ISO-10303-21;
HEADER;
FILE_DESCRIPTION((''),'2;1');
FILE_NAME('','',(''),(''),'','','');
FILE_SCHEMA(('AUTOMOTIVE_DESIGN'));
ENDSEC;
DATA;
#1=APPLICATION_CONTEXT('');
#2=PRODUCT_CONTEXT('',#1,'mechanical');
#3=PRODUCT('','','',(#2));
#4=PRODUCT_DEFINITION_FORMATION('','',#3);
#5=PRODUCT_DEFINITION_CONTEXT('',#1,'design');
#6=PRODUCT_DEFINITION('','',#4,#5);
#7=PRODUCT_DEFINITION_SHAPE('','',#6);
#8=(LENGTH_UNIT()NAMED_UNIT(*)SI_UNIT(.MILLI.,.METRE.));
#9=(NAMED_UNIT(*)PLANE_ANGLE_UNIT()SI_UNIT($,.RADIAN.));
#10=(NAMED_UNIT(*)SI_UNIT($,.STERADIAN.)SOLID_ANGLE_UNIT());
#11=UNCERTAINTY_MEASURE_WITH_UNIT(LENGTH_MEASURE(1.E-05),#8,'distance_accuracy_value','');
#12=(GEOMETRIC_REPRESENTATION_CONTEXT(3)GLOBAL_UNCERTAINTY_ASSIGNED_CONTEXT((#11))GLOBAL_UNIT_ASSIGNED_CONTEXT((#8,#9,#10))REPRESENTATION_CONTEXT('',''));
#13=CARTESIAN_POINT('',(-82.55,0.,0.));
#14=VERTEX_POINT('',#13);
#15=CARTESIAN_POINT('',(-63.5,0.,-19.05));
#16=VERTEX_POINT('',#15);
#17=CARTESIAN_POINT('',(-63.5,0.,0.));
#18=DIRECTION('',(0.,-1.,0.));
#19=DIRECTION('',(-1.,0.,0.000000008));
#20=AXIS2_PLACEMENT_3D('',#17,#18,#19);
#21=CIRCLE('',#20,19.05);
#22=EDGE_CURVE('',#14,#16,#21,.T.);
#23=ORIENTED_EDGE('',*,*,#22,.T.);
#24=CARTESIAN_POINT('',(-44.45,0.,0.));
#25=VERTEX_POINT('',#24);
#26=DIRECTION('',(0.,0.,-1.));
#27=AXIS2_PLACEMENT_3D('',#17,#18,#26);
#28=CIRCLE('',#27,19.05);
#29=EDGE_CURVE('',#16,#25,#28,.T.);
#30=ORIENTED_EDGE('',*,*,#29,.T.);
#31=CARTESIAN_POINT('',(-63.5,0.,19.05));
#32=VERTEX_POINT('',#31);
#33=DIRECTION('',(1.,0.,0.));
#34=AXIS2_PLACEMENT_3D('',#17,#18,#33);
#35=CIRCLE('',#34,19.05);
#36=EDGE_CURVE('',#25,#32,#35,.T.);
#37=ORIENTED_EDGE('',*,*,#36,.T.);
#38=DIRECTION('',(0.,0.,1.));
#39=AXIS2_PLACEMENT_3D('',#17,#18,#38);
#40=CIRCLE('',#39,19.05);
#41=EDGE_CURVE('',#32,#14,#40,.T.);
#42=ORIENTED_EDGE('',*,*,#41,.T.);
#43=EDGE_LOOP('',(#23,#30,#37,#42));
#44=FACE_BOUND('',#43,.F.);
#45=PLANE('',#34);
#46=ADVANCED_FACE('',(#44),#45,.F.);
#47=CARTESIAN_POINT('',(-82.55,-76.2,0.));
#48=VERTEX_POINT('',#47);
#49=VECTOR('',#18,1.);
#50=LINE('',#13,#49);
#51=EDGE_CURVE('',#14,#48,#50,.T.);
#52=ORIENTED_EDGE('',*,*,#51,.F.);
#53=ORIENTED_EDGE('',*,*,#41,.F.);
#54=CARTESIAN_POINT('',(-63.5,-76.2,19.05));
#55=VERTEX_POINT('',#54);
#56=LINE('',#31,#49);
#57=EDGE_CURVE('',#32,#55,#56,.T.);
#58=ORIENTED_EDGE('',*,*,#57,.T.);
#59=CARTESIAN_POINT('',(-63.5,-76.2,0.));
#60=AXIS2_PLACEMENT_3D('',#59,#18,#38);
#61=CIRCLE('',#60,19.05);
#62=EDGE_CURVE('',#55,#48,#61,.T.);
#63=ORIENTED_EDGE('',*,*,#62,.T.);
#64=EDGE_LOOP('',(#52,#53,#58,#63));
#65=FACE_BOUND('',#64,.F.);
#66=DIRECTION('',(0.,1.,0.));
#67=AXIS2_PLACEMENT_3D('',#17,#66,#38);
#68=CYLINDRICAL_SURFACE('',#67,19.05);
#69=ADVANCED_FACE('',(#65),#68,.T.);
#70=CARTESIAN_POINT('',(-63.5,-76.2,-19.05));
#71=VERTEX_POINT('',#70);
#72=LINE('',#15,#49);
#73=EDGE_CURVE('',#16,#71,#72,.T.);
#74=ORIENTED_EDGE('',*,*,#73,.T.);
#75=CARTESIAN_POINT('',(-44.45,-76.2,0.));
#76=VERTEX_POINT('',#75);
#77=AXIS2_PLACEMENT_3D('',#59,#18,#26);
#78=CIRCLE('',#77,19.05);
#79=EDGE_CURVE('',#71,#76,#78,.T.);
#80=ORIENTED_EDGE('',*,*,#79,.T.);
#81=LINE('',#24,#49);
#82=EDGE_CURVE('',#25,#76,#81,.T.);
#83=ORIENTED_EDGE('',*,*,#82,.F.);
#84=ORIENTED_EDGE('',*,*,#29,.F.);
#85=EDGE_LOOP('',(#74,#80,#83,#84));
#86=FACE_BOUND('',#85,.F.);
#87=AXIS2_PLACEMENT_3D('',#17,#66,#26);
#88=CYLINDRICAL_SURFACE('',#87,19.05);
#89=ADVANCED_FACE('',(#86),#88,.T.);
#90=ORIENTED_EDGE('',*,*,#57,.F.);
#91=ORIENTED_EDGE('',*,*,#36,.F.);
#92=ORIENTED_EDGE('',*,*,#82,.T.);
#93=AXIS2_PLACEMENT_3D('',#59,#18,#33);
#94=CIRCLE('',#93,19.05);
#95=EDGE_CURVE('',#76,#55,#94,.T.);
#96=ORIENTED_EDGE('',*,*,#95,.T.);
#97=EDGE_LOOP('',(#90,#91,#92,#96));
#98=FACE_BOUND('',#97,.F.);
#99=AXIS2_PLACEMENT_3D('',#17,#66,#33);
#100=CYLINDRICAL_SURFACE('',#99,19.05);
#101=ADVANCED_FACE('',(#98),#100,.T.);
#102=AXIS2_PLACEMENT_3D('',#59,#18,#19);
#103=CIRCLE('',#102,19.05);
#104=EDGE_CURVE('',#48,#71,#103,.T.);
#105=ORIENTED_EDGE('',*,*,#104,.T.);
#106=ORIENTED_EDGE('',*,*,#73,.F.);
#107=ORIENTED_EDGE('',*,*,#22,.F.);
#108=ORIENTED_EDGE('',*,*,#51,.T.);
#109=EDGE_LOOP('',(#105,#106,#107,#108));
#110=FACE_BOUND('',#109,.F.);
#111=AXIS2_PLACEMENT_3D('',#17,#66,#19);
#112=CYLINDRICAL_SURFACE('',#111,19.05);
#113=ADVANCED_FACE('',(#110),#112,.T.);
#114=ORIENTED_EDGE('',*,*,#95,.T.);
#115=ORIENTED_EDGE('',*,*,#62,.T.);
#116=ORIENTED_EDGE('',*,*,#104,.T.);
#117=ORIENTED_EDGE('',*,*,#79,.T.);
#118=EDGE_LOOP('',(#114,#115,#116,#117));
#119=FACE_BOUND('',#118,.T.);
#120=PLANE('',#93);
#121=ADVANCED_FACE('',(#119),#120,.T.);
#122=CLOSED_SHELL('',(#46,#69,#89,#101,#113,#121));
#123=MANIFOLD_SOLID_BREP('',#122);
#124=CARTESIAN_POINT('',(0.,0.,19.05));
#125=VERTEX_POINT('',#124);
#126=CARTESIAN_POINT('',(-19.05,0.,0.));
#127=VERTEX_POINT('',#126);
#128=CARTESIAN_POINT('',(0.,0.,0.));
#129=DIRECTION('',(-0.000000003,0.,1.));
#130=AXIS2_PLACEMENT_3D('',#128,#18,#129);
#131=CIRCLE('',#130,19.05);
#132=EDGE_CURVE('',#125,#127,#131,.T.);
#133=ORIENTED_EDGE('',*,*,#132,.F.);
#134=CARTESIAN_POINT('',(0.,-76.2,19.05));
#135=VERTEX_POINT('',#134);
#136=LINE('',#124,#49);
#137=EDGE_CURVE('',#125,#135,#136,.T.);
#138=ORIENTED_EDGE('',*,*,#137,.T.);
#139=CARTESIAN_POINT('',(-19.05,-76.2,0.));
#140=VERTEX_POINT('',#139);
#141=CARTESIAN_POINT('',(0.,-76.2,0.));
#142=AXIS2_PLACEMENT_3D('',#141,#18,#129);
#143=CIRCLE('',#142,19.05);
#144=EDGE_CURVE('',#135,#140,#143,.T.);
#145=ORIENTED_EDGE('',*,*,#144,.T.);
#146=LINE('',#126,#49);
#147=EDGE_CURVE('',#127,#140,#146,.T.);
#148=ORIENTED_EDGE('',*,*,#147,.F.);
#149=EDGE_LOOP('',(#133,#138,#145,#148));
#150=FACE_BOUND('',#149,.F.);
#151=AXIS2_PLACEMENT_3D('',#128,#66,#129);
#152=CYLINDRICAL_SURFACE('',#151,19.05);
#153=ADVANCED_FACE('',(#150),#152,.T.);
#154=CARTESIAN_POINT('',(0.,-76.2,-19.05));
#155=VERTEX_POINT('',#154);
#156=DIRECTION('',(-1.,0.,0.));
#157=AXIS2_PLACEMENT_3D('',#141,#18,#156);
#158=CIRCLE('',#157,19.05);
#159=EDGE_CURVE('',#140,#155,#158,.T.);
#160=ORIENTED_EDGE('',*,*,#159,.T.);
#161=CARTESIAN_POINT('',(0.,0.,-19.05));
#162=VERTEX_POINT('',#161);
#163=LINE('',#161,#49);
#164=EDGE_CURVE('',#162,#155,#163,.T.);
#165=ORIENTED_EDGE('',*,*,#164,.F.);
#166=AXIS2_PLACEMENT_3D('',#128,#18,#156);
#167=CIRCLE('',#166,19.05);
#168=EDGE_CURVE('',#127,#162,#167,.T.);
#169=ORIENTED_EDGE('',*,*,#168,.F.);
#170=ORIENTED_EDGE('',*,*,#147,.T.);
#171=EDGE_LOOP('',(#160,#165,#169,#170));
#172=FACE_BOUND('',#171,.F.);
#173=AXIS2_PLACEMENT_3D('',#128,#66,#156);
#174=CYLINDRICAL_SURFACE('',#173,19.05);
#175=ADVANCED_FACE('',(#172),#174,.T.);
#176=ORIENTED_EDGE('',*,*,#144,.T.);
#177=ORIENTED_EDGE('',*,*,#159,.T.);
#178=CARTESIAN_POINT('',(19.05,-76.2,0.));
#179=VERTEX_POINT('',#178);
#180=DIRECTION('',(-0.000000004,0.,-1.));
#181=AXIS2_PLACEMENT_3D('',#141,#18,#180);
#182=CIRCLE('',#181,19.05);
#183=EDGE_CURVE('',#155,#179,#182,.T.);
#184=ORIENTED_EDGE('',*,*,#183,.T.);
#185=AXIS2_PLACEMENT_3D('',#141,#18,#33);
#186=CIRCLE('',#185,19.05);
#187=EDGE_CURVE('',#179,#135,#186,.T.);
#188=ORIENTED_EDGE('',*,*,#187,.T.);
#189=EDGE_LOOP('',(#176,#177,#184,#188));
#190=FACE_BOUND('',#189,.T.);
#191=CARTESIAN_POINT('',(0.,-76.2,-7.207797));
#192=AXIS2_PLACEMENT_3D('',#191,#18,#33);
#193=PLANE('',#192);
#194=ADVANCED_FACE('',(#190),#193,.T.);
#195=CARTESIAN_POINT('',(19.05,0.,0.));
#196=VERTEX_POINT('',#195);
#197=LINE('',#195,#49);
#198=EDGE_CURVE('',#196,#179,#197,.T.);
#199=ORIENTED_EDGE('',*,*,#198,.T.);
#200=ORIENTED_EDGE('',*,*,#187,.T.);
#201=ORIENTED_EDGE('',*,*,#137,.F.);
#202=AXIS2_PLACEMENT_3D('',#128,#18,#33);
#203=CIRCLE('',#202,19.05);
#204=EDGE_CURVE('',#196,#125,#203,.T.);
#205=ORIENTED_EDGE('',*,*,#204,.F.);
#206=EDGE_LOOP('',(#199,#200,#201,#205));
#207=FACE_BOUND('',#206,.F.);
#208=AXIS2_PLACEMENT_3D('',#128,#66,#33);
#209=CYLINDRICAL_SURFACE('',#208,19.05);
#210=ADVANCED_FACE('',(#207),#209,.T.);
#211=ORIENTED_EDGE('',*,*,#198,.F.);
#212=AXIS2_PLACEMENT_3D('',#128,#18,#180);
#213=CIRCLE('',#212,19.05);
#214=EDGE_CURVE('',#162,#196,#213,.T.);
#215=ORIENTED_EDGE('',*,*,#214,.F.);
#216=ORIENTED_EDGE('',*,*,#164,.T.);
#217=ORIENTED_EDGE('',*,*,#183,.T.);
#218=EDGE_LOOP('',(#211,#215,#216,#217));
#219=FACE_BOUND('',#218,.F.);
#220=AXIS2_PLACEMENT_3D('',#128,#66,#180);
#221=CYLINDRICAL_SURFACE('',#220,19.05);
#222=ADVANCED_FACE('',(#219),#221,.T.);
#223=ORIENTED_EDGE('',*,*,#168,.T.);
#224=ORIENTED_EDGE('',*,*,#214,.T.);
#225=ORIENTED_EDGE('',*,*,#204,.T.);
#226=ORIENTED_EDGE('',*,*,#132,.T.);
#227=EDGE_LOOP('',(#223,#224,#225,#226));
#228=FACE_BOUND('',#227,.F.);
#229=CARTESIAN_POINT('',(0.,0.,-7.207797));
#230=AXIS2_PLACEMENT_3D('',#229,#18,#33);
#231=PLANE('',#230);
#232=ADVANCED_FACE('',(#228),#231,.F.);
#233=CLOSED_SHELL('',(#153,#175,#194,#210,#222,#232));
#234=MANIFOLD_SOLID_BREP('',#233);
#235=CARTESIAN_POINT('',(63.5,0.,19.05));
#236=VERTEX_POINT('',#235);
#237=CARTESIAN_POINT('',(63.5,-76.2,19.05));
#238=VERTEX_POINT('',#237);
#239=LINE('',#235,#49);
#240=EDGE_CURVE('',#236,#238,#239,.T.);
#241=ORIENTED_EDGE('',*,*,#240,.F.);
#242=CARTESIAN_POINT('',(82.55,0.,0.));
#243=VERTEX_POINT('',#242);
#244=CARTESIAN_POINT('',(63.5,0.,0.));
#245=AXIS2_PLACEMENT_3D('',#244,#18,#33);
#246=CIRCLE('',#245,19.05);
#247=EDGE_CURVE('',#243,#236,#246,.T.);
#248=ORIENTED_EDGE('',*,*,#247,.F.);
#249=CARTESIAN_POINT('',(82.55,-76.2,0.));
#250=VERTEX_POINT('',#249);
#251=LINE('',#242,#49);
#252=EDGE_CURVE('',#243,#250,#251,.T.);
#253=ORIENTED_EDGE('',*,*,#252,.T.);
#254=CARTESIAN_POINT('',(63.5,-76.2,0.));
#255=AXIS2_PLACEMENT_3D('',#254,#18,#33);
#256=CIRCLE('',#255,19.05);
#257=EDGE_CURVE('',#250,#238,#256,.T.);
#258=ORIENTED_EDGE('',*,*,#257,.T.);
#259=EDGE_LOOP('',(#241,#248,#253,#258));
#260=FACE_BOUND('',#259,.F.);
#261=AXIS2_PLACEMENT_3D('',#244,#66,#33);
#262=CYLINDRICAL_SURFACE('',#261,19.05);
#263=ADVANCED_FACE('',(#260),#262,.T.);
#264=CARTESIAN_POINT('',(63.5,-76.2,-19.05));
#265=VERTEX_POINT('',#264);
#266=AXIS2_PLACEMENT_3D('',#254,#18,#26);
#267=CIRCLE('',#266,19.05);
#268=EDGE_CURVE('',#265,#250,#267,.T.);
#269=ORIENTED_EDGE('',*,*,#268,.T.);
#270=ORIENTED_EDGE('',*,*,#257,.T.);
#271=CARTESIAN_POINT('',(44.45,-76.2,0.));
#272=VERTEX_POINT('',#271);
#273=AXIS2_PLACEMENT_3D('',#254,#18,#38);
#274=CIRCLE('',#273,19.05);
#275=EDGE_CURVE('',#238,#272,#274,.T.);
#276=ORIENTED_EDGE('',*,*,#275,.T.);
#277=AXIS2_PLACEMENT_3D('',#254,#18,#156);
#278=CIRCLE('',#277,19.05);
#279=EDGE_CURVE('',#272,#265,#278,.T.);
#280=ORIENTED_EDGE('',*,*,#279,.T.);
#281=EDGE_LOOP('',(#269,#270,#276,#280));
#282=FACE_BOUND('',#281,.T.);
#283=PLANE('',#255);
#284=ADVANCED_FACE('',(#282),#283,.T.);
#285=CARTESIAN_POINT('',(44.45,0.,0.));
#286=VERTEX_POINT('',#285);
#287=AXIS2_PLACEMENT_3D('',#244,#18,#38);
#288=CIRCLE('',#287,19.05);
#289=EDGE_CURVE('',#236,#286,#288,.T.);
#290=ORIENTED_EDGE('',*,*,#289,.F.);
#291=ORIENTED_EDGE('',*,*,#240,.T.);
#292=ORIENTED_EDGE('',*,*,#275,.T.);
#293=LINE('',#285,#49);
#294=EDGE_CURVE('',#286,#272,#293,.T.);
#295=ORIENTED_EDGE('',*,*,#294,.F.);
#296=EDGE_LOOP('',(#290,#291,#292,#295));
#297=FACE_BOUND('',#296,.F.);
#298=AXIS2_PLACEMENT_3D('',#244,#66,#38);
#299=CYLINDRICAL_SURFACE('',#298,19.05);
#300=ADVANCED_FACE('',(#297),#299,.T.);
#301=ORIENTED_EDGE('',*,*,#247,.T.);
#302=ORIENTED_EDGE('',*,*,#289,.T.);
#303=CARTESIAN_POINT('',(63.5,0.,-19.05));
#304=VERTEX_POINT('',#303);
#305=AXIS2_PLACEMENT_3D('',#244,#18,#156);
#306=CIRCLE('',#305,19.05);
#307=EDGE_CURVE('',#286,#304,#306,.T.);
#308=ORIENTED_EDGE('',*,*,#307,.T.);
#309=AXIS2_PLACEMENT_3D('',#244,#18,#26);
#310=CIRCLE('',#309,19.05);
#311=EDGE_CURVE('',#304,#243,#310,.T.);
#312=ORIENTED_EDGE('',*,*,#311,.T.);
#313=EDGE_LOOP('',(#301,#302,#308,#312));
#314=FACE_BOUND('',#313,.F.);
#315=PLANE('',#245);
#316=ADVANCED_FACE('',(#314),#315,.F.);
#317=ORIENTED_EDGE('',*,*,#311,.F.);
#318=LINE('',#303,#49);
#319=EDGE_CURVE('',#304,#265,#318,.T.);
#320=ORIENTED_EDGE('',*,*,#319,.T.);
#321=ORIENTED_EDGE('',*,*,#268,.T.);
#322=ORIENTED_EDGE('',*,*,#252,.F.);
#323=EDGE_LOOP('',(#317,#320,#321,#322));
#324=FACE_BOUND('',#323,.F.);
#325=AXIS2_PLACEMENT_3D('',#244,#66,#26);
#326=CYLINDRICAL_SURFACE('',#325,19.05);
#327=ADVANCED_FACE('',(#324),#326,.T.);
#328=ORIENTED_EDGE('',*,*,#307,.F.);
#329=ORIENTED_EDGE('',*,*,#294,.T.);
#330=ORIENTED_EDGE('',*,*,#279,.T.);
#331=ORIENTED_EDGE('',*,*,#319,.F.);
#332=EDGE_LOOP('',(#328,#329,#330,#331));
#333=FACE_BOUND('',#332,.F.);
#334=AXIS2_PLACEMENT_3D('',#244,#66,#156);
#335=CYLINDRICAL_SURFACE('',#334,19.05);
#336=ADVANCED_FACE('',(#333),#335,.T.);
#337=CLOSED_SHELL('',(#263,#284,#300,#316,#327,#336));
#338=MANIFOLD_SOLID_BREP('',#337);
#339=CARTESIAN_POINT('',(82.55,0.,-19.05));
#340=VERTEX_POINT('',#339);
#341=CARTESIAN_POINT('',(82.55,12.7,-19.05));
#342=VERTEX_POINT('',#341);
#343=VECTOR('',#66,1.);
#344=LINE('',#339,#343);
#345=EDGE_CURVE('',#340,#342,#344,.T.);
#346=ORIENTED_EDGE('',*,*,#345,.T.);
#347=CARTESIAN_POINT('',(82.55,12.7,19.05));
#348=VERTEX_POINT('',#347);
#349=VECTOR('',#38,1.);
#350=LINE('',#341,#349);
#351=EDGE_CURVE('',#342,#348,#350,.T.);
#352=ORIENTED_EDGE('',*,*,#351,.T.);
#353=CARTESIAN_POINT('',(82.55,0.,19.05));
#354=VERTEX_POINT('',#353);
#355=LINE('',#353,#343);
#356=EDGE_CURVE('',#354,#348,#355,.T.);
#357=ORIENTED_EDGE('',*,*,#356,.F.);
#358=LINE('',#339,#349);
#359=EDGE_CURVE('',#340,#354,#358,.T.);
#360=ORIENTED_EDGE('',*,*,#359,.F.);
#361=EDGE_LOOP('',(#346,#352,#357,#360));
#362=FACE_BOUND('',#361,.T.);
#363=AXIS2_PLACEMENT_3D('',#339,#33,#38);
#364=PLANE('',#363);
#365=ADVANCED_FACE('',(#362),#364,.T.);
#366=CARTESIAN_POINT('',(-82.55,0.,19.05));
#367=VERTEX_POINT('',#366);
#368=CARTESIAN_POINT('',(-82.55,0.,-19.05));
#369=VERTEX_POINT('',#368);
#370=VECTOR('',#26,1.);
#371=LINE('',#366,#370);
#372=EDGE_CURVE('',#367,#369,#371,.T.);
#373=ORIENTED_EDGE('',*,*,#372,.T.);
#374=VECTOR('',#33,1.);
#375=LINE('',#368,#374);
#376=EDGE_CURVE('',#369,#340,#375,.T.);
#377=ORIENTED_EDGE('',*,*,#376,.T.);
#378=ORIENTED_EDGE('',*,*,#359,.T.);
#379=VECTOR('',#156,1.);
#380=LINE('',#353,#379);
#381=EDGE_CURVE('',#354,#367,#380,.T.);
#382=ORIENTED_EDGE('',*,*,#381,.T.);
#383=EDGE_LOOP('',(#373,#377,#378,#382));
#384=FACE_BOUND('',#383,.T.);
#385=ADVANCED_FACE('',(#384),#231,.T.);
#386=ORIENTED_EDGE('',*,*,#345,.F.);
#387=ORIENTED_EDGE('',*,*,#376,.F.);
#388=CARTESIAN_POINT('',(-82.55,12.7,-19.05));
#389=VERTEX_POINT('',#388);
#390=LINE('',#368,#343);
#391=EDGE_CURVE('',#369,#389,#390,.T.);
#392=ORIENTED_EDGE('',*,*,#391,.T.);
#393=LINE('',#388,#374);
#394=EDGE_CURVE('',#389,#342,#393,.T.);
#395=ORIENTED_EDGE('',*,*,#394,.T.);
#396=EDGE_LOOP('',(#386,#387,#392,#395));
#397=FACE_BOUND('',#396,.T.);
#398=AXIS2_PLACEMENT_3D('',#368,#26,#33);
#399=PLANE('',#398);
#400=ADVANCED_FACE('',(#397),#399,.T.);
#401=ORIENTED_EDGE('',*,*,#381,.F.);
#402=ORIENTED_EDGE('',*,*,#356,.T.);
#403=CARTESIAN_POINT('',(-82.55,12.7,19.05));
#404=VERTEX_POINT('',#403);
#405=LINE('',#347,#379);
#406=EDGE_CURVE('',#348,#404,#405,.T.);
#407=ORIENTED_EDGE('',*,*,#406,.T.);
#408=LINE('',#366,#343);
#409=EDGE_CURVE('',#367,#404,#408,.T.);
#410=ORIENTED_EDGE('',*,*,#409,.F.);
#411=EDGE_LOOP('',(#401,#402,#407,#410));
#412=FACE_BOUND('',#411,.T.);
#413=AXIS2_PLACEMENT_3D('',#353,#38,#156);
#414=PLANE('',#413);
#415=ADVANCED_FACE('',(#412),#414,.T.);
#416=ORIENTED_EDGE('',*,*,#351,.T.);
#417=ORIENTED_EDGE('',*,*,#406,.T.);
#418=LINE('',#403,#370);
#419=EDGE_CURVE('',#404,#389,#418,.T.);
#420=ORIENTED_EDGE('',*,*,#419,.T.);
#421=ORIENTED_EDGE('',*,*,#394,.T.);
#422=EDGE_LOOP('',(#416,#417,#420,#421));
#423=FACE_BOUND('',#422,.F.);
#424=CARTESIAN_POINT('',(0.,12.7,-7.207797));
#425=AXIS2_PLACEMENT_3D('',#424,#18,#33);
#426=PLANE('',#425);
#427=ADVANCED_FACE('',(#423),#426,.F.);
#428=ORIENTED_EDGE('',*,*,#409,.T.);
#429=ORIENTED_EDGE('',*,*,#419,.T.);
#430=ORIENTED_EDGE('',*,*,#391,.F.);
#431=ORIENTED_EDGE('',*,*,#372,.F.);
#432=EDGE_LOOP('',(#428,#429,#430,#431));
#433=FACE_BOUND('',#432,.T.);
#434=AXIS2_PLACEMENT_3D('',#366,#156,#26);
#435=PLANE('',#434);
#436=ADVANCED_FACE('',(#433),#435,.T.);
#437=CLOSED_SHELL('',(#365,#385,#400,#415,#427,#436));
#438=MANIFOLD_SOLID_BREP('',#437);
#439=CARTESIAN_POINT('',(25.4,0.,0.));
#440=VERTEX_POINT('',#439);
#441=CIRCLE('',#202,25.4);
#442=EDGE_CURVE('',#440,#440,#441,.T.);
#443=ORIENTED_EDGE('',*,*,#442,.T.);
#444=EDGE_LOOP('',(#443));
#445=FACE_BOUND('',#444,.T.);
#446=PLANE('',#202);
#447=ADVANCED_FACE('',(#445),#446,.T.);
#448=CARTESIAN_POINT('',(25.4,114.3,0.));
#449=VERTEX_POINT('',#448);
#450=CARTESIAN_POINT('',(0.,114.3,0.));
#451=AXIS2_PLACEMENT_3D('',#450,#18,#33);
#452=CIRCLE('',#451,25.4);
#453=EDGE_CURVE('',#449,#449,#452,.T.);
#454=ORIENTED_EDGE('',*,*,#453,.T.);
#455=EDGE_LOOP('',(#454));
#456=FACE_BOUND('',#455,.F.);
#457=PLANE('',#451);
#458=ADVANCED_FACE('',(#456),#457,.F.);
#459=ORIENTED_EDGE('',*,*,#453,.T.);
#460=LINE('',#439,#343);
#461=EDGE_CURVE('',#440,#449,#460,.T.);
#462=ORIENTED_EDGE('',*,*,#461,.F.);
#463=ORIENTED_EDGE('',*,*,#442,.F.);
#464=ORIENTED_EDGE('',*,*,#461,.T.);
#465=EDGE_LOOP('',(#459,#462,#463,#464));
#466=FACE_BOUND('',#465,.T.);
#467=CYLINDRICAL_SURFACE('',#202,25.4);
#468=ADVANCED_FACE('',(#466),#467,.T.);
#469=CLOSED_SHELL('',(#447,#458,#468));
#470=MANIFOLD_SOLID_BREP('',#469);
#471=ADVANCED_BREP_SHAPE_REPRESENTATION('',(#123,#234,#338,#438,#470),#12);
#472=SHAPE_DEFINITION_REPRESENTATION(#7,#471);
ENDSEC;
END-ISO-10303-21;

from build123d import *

# Parameters (mm, degrees)
F1_DEPTH = 76.2
F2_DEPTH = 12.7
F3_R     = 25.4
F4_DEPTH = 114.3


with BuildPart() as f1:
    # F0 (on Front) → F1 (new body)
    with BuildSketch(Plane.XZ):
        with BuildLine():
            ThreePointArc((-44.45, 0), (-50.0296158184, 13.4703841816), (-63.5, 19.05))
            ThreePointArc((-63.5, 19.05), (-76.9703841264, 13.4703842368), (-82.55, 1.56e-07))
            ThreePointArc((-82.55, 1.56e-07), (-76.9703842368, -13.4703841264), (-63.5, -19.05))
            ThreePointArc((-63.5, -19.05), (-50.0296158184, -13.4703841816), (-44.45, 0))
        make_face()
    extrude(amount=F1_DEPTH)


with BuildPart() as f1b:
    # F0 (on Front) → F1, piece 2 (new body)
    with BuildSketch(Plane.XZ):
        with BuildLine():
            ThreePointArc((-7.38e-08, -19.05), (13.4703841555, -13.4703842077), (19.05, 0))
            Line((19.05, 0), (0, 0))
            Line((0, 0), (-19.05, 0))
            ThreePointArc((-19.05, 0), (-13.4703842077, -13.4703841555), (-7.38e-08, -19.05))
        make_face()
        with BuildLine():
            Line((0, 0), (19.05, 0))
            ThreePointArc((19.05, 0), (13.4703841605, 13.4703842027), (-5.96e-08, 19.05))
            ThreePointArc((-5.96e-08, 19.05), (-13.4703842027, 13.4703841605), (-19.05, 0))
            Line((-19.05, 0), (0, 0))
        make_face()
    extrude(amount=F1_DEPTH)


with BuildPart() as f1c:
    # F0 (on Front) → F1, piece 3 (new body)
    with BuildSketch(Plane.XZ):
        with BuildLine():
            ThreePointArc((63.5, 19.05), (50.0296158184, 13.4703841816), (44.45, 0))
            ThreePointArc((44.45, 0), (50.0296158184, -13.4703841816), (63.5, -19.05))
            ThreePointArc((63.5, -19.05), (76.9703841816, -13.4703841816), (82.55, 0))
            ThreePointArc((82.55, 0), (76.9703841816, 13.4703841816), (63.5, 19.05))
        make_face()
    extrude(amount=F1_DEPTH)


with BuildPart() as f2:
    # F0 (on Front) → F2 (new body)
    with BuildSketch(Plane.XZ):
        with BuildLine():
            ThreePointArc((-7.38e-08, -19.05), (13.4703841555, -13.4703842077), (19.05, 0))
            Line((19.05, 0), (0, 0))
            Line((0, 0), (-19.05, 0))
            ThreePointArc((-19.05, 0), (-13.4703842077, -13.4703841555), (-7.38e-08, -19.05))
        make_face()
        with BuildLine():
            Line((0, 0), (19.05, 0))
            ThreePointArc((19.05, 0), (13.4703841605, 13.4703842027), (-5.96e-08, 19.05))
            ThreePointArc((-5.96e-08, 19.05), (-13.4703842027, 13.4703841605), (-19.05, 0))
            Line((-19.05, 0), (0, 0))
        make_face()
        with BuildLine():
            ThreePointArc((-44.45, 0), (-50.0296158184, 13.4703841816), (-63.5, 19.05))
            ThreePointArc((-63.5, 19.05), (-76.9703841264, 13.4703842368), (-82.55, 1.56e-07))
            ThreePointArc((-82.55, 1.56e-07), (-76.9703842368, -13.4703841264), (-63.5, -19.05))
            ThreePointArc((-63.5, -19.05), (-50.0296158184, -13.4703841816), (-44.45, 0))
        make_face()
        with BuildLine():
            ThreePointArc((-19.05, 0), (-13.4703842027, 13.4703841605), (-5.96e-08, 19.05))
            Line((-5.96e-08, 19.05), (-63.5, 19.05))
            ThreePointArc((-63.5, 19.05), (-50.0296158184, 13.4703841816), (-44.45, 0))
            Line((-44.45, 0), (-19.05, 0))
        make_face()
        with BuildLine():
            Line((-63.5, -19.05), (-7.38e-08, -19.05))
            ThreePointArc((-7.38e-08, -19.05), (-13.4703842077, -13.4703841555), (-19.05, 0))
            Line((-19.05, 0), (-44.45, 0))
            ThreePointArc((-44.45, 0), (-50.0296158184, -13.4703841816), (-63.5, -19.05))
        make_face()
        with BuildLine():
            Line((-82.55, -19.05), (-63.5, -19.05))
            ThreePointArc((-63.5, -19.05), (-76.9703842368, -13.4703841264), (-82.55, 1.56e-07))
            Line((-82.55, 1.56e-07), (-82.55, -19.05))
        make_face()
        with BuildLine():
            ThreePointArc((-82.55, 1.56e-07), (-76.9703841264, 13.4703842368), (-63.5, 19.05))
            Line((-63.5, 19.05), (-82.55, 19.05))
            Line((-82.55, 19.05), (-82.55, 1.56e-07))
        make_face()
        with BuildLine():
            ThreePointArc((-5.96e-08, 19.05), (13.4703841605, 13.4703842027), (19.05, 0))
            Line((19.05, 0), (44.45, 0))
            ThreePointArc((44.45, 0), (50.0296158184, 13.4703841816), (63.5, 19.05))
            Line((63.5, 19.05), (-5.96e-08, 19.05))
        make_face()
        with BuildLine():
            Line((44.45, 0), (19.05, 0))
            ThreePointArc((19.05, 0), (13.4703841555, -13.4703842077), (-7.38e-08, -19.05))
            Line((-7.38e-08, -19.05), (63.5, -19.05))
            ThreePointArc((63.5, -19.05), (50.0296158184, -13.4703841816), (44.45, 0))
        make_face()
        with BuildLine():
            ThreePointArc((63.5, 19.05), (50.0296158184, 13.4703841816), (44.45, 0))
            ThreePointArc((44.45, 0), (50.0296158184, -13.4703841816), (63.5, -19.05))
            ThreePointArc((63.5, -19.05), (76.9703841816, -13.4703841816), (82.55, 0))
            ThreePointArc((82.55, 0), (76.9703841816, 13.4703841816), (63.5, 19.05))
        make_face()
        with BuildLine():
            ThreePointArc((82.55, 0), (76.9703841816, -13.4703841816), (63.5, -19.05))
            Line((63.5, -19.05), (82.55, -19.05))
            Line((82.55, -19.05), (82.55, 0))
        make_face()
        with BuildLine():
            Line((82.55, 19.05), (63.5, 19.05))
            ThreePointArc((63.5, 19.05), (76.9703841816, 13.4703841816), (82.55, 0))
            Line((82.55, 0), (82.55, 19.05))
        make_face()
    extrude(amount=-F2_DEPTH)


with BuildPart() as f4:
    # F3 (on Front) → F4 (new body)
    with BuildSketch(Plane.XZ):
        Circle(F3_R)
    extrude(amount=-F4_DEPTH)


solid = Compound([f1.part, f1b.part, f1c.part, f2.part, f4.part])
